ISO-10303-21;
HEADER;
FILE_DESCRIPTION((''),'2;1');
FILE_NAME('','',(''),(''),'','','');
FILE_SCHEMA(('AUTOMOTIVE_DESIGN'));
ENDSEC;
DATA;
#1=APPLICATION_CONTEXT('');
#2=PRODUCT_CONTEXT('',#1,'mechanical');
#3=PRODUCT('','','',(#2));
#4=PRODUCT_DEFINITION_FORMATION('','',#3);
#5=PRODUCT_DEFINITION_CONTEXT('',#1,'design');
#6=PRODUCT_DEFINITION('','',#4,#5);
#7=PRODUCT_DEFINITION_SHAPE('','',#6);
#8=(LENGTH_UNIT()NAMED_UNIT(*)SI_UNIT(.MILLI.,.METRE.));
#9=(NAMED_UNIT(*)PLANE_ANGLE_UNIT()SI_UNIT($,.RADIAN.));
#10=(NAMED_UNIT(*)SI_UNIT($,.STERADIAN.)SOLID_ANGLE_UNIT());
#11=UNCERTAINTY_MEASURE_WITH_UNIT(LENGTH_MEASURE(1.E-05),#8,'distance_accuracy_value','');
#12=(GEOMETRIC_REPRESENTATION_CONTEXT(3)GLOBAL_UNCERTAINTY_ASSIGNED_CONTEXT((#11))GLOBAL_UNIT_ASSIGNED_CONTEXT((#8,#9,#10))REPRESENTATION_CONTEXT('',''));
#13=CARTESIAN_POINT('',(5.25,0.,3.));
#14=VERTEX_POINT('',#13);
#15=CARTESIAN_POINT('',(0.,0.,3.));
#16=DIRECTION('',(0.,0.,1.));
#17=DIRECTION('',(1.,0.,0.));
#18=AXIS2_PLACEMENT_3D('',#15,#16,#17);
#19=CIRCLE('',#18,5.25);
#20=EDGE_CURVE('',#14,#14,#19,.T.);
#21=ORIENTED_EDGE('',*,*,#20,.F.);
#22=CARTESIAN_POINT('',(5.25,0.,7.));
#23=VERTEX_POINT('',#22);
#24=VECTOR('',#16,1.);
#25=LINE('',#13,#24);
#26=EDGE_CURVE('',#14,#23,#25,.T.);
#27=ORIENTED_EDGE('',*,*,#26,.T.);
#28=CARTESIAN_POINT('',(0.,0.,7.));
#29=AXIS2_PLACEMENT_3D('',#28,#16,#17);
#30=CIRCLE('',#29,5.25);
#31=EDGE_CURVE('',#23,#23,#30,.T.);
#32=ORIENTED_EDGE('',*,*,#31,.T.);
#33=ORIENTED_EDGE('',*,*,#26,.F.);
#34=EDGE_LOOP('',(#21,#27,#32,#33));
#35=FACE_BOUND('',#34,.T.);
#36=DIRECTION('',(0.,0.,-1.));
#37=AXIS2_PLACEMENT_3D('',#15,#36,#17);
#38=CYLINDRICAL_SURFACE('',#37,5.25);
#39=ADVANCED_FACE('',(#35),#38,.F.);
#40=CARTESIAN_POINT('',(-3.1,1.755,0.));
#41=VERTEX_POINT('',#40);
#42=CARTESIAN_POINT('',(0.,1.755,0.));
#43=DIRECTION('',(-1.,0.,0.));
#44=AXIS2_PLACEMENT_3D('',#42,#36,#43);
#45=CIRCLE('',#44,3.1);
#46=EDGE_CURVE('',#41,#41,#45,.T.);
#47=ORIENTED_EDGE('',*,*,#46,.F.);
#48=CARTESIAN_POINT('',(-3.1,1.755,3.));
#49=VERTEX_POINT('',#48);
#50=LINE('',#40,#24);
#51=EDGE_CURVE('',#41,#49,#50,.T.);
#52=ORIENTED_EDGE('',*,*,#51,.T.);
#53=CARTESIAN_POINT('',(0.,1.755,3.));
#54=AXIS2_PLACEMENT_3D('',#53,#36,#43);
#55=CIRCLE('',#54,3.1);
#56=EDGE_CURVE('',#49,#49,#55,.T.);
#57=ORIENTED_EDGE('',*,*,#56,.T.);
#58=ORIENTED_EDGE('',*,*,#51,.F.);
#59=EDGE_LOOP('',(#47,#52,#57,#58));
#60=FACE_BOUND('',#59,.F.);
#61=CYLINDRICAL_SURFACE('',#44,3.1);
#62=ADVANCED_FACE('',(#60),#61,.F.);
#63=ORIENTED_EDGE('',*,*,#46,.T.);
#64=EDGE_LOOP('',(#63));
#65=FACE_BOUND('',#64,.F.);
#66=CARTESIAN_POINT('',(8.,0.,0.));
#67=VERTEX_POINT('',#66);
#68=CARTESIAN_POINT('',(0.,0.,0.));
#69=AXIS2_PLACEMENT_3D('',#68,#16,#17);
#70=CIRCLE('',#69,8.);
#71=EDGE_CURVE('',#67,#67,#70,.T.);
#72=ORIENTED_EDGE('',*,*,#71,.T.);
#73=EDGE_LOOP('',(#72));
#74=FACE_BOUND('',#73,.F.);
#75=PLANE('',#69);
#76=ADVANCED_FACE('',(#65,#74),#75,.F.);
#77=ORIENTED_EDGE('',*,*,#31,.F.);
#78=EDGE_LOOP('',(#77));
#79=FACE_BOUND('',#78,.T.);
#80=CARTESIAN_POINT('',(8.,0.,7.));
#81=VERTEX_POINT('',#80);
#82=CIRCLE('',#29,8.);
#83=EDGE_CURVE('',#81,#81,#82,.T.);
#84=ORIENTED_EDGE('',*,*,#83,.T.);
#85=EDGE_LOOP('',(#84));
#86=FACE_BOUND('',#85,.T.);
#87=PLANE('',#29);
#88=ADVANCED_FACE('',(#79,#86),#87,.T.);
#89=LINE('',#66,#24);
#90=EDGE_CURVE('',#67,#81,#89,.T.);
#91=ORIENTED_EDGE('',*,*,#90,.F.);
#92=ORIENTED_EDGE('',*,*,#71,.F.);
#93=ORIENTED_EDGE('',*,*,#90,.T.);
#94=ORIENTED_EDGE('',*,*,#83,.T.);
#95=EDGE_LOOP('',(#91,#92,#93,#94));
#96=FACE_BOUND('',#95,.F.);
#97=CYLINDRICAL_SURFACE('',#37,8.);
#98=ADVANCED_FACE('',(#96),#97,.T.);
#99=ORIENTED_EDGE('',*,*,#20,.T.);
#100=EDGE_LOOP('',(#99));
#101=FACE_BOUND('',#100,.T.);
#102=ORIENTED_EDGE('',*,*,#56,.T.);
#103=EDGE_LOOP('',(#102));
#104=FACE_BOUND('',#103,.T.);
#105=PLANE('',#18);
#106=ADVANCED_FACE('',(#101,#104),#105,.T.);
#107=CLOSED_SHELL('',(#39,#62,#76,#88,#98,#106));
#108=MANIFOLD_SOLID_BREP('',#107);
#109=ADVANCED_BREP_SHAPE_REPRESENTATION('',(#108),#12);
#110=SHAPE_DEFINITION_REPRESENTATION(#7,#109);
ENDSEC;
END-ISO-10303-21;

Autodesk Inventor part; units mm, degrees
ref_plane "YZ Plane" through (0, 0, 0) normal (1, 0, 0) x (0, 1, 0)
ref_plane "XZ Plane" through (0, 0, 0) normal (0, 1, 0) x (-1, 0, 0)
ref_plane "XY Plane" through (0, 0, 0) normal (0, 0, 1) x (1, 0, 0)
sketch "Sketch1" plane through (0, 0, 0) normal (0, 0, 1) x (1, 0, 0)
  circle A0 centre (0, 0) radius 5.85 construction
  circle A1 centre (0, 0) radius 2.95 construction
  circle A2 centre (0, 0) radius 3.1
  circle A3 centre (0, 0) radius 8
  dimension "d0" = 11.7
  dimension "d1" = 5.9
  dimension "d2" = 6.2
  dimension "d3" = 16
extrude "Extrusion1" add sketch "Sketch1" along normal blind 3 contours A2 | A3
sketch "Sketch2" plane through (0, 0, 3) normal (0, 0, 1) x (1, 0, 0)
  circle A0 centre (0, 0) radius 4.935 construction
  circle A1 centre (0, 0) radius 2.95 construction
  circle A2 centre (0, 0) radius 8 projected
  circle A3 centre (0, 0) radius 5.25
  dimension "d6" = 9.87
  dimension "d7" = 5.9
  dimension "d10" = 10.5
extrude "Extrusion2" add sketch "Sketch2" along normal blind 4
sketch "Sketch3" plane through (0, 0, 0) normal (0, 0, -1) x (-1, 0, 0)
  circle A0 centre (0, 0) radius 8 construction
  circle A1 centre (0, 1.755) radius 3.1
  circle A2 centre (0, 0) radius 8 construction
  line L0 (0, -11.2) -> (0, 11.2) construction
  circle A3 centre (0, -2.095) radius 1.5 construction
  circle A4 centre (0, 1.755) radius 1.5 construction
  circle A5 centre (0, 0) radius 4.855 construction
  dimension "d13" = 6.2
  dimension "d14" = 3
  dimension "d15" = 3
  dimension "d16" = 3.85
  dimension "d21" = 9.71
  dimension "d22" = 1.6
extrude "Extrusion3" cut sketch "Sketch3" against normal through all
properties part number "30_raspi_lens_to_laser"
